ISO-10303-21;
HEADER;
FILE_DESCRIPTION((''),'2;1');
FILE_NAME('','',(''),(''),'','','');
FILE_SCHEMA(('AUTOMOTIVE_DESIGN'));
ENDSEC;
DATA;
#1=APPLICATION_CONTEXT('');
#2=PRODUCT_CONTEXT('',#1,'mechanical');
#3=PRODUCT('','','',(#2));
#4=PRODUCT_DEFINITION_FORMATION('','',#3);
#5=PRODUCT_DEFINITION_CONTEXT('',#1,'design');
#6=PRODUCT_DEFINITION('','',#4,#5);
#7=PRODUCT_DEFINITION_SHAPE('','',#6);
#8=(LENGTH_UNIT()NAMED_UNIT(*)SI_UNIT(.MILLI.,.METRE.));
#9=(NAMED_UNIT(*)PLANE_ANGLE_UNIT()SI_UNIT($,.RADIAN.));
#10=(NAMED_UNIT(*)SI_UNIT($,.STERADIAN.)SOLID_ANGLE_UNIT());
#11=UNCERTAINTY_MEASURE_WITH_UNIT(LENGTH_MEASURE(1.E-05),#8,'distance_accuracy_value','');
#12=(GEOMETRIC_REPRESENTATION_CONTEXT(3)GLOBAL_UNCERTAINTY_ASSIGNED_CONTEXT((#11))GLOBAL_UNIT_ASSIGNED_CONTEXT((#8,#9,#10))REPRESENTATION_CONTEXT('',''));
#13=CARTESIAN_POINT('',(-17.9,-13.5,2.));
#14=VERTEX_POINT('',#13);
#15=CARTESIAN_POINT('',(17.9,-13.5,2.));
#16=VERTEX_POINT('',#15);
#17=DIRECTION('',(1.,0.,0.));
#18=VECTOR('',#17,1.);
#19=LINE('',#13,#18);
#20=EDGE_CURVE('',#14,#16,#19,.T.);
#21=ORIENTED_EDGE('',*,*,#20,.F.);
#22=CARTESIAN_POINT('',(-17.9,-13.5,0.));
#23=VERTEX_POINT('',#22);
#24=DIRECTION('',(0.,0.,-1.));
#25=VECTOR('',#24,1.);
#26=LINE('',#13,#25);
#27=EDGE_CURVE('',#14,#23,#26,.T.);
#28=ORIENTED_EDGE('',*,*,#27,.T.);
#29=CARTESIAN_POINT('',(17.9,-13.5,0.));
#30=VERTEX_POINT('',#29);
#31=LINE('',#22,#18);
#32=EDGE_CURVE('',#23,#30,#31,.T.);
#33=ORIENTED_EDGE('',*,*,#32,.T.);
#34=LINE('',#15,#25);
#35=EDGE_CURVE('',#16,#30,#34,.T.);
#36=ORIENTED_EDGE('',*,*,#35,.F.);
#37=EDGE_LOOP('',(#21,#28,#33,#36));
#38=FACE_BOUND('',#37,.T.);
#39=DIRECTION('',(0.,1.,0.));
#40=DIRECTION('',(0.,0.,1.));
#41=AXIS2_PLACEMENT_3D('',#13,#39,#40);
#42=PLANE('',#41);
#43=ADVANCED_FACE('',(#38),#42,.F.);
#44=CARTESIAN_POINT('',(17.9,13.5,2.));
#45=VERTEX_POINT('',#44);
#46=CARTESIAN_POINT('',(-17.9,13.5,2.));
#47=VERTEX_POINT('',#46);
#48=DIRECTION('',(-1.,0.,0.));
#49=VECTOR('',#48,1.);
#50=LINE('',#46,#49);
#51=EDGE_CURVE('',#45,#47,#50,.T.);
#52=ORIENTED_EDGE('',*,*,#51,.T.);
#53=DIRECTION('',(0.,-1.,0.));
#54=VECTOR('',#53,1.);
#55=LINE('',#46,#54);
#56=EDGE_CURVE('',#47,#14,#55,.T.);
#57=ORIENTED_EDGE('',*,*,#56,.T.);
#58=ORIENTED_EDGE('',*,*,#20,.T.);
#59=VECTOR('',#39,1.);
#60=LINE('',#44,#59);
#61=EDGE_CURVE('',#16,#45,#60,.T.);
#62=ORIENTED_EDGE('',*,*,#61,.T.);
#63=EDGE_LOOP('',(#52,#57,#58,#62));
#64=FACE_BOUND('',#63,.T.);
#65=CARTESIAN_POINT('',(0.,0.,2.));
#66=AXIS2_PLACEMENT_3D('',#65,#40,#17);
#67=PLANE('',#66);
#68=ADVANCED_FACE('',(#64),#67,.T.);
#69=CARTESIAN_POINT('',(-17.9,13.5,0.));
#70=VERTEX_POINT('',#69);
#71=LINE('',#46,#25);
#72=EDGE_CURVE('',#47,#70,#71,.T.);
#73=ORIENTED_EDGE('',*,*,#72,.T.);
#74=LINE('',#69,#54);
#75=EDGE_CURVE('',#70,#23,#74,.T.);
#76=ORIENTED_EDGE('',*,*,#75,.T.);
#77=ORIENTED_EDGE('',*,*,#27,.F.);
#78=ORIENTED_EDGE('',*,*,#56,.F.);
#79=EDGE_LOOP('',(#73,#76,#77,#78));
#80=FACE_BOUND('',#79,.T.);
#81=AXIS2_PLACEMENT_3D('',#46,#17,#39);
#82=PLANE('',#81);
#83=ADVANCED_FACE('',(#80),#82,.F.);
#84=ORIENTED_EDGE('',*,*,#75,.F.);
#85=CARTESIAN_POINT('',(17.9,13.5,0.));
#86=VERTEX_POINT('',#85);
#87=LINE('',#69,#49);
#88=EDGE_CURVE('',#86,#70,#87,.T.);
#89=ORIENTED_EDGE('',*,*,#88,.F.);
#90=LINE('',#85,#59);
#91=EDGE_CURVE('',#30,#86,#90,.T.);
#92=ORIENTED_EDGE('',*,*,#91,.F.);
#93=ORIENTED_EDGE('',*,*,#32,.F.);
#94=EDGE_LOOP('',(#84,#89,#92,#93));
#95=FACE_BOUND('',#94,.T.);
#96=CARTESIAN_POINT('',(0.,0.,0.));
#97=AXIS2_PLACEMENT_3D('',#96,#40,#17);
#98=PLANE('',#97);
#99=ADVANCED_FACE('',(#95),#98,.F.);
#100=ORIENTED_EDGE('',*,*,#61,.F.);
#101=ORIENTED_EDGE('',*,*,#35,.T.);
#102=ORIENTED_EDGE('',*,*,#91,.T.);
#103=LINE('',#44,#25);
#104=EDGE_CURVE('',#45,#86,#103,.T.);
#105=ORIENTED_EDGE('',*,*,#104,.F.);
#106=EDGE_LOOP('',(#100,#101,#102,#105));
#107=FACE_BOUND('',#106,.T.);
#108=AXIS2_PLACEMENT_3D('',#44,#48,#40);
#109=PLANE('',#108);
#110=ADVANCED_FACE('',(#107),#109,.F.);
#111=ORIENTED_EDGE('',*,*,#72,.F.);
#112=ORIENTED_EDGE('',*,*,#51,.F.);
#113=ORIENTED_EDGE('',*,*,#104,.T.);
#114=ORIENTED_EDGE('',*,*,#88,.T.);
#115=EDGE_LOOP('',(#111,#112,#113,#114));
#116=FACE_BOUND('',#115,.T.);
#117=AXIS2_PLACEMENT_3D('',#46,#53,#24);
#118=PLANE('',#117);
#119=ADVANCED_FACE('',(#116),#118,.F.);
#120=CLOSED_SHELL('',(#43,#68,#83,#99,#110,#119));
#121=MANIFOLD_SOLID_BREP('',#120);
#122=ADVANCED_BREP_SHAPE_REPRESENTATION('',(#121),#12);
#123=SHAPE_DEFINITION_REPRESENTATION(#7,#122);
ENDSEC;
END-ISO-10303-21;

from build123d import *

# Parameters (mm, degrees)
SKETCH1_W           = 35.8
SKETCH1_H           = 27
BOSS_EXTRUDE1_DEPTH = 2


with BuildPart() as part:
    # Sketch1 → Boss-Extrude1 (new body)
    with BuildSketch(Plane.XY):
        Rectangle(SKETCH1_W, SKETCH1_H)
    extrude(amount=BOSS_EXTRUDE1_DEPTH)


solid = part.part
